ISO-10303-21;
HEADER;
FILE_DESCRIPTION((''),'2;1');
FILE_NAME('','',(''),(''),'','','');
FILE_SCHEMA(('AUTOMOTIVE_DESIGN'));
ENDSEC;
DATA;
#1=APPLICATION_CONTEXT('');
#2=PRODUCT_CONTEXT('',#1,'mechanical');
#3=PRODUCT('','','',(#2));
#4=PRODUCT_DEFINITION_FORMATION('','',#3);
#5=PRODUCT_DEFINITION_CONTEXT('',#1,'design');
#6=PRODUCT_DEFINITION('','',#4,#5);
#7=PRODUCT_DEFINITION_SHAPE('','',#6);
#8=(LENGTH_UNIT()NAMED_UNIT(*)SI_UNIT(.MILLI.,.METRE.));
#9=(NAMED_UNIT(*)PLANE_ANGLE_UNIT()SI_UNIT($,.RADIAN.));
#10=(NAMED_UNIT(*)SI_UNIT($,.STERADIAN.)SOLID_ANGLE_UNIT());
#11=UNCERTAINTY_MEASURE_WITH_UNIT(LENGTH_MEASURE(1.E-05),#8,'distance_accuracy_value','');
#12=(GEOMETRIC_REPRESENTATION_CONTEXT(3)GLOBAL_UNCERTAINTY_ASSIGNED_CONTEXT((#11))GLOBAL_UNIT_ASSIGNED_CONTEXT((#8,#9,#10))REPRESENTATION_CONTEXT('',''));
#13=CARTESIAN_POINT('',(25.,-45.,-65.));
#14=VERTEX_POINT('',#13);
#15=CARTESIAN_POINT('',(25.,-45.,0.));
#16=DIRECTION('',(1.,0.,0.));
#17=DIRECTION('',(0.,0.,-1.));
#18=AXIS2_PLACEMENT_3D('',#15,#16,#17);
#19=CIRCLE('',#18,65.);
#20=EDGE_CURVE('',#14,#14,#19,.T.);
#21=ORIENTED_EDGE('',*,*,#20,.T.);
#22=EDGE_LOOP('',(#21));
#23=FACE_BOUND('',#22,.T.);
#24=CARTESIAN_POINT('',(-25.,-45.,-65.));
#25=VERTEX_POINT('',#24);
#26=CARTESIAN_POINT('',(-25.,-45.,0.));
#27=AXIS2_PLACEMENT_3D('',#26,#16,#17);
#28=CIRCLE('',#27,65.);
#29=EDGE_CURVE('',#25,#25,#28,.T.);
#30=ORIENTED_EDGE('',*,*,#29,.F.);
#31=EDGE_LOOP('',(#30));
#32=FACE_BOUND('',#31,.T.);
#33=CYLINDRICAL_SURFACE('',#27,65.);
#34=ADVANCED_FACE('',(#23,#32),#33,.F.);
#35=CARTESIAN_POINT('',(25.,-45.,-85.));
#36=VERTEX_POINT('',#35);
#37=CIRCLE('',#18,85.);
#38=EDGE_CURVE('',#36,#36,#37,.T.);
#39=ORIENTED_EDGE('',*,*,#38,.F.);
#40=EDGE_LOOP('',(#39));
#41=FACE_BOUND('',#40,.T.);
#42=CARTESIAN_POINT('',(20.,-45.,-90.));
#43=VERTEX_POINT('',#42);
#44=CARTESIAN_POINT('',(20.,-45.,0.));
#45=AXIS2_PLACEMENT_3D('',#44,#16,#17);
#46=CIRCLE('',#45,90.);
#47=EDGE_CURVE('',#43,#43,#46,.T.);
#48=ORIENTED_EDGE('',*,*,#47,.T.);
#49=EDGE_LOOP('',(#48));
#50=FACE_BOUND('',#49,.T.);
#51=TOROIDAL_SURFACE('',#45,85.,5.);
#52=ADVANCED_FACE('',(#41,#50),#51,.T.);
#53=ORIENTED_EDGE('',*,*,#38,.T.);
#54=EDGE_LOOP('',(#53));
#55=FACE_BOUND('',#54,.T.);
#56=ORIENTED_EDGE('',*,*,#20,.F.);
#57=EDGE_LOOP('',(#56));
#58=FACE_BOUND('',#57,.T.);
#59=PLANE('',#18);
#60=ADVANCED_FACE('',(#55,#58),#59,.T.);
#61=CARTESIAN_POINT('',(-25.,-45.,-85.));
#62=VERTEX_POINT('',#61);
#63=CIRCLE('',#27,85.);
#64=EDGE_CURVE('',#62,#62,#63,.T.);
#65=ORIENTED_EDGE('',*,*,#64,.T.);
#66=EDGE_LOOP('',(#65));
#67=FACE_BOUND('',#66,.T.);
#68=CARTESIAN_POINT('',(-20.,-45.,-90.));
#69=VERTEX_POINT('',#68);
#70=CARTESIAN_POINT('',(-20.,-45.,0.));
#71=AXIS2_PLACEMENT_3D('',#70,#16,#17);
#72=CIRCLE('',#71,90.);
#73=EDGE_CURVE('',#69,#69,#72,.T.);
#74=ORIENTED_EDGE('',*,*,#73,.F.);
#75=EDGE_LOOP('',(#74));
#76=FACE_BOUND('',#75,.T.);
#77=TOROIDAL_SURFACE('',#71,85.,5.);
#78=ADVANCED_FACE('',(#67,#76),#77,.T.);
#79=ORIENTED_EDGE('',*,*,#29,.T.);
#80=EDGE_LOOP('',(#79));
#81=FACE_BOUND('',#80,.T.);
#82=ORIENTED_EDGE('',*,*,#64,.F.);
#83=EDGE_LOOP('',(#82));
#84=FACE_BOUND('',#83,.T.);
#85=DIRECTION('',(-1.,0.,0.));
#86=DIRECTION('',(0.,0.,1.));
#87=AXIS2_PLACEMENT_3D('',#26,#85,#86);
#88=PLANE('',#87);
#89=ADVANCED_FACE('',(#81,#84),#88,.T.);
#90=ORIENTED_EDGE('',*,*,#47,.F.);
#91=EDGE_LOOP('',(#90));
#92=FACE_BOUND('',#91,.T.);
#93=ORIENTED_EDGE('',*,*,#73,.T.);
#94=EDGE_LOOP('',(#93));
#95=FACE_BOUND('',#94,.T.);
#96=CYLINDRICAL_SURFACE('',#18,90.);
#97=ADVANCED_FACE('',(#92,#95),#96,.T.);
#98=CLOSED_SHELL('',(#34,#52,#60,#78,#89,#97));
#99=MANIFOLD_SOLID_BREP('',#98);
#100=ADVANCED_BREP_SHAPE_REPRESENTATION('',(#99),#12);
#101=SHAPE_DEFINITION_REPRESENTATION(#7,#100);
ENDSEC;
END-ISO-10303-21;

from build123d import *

# Parameters (mm, degrees)
SKETCH2_R      = 65
EXTRUDE1_DEPTH = 51


with BuildPart() as part:
    # Sketch1 → Revolve1 (revolve)
    with BuildSketch(Plane.XY):
        with BuildLine():
            Line((25, -45), (-25, -45))
            Line((-25, -45), (-25, 40))
            ThreePointArc((-25, 40), (-23.535533906, 43.535533906), (-20, 45))
            Line((-20, 45), (20, 45))
            ThreePointArc((20, 45), (23.535533906, 43.535533906), (25, 40))
            Line((25, 40), (25, -45))
        make_face()
    revolve(axis=Axis((25, -45, 0), (-1, 0, 0)))

    # Sketch2 → Extrude1 (cut, through all)
    with BuildSketch(Plane(origin=(25, 0, 0), x_dir=(0, 0, -1), z_dir=(1, 0, 0))):
        with Locations((0, -45)):
            Circle(SKETCH2_R)
    extrude(amount=-EXTRUDE1_DEPTH, mode=Mode.SUBTRACT)


solid = part.part
